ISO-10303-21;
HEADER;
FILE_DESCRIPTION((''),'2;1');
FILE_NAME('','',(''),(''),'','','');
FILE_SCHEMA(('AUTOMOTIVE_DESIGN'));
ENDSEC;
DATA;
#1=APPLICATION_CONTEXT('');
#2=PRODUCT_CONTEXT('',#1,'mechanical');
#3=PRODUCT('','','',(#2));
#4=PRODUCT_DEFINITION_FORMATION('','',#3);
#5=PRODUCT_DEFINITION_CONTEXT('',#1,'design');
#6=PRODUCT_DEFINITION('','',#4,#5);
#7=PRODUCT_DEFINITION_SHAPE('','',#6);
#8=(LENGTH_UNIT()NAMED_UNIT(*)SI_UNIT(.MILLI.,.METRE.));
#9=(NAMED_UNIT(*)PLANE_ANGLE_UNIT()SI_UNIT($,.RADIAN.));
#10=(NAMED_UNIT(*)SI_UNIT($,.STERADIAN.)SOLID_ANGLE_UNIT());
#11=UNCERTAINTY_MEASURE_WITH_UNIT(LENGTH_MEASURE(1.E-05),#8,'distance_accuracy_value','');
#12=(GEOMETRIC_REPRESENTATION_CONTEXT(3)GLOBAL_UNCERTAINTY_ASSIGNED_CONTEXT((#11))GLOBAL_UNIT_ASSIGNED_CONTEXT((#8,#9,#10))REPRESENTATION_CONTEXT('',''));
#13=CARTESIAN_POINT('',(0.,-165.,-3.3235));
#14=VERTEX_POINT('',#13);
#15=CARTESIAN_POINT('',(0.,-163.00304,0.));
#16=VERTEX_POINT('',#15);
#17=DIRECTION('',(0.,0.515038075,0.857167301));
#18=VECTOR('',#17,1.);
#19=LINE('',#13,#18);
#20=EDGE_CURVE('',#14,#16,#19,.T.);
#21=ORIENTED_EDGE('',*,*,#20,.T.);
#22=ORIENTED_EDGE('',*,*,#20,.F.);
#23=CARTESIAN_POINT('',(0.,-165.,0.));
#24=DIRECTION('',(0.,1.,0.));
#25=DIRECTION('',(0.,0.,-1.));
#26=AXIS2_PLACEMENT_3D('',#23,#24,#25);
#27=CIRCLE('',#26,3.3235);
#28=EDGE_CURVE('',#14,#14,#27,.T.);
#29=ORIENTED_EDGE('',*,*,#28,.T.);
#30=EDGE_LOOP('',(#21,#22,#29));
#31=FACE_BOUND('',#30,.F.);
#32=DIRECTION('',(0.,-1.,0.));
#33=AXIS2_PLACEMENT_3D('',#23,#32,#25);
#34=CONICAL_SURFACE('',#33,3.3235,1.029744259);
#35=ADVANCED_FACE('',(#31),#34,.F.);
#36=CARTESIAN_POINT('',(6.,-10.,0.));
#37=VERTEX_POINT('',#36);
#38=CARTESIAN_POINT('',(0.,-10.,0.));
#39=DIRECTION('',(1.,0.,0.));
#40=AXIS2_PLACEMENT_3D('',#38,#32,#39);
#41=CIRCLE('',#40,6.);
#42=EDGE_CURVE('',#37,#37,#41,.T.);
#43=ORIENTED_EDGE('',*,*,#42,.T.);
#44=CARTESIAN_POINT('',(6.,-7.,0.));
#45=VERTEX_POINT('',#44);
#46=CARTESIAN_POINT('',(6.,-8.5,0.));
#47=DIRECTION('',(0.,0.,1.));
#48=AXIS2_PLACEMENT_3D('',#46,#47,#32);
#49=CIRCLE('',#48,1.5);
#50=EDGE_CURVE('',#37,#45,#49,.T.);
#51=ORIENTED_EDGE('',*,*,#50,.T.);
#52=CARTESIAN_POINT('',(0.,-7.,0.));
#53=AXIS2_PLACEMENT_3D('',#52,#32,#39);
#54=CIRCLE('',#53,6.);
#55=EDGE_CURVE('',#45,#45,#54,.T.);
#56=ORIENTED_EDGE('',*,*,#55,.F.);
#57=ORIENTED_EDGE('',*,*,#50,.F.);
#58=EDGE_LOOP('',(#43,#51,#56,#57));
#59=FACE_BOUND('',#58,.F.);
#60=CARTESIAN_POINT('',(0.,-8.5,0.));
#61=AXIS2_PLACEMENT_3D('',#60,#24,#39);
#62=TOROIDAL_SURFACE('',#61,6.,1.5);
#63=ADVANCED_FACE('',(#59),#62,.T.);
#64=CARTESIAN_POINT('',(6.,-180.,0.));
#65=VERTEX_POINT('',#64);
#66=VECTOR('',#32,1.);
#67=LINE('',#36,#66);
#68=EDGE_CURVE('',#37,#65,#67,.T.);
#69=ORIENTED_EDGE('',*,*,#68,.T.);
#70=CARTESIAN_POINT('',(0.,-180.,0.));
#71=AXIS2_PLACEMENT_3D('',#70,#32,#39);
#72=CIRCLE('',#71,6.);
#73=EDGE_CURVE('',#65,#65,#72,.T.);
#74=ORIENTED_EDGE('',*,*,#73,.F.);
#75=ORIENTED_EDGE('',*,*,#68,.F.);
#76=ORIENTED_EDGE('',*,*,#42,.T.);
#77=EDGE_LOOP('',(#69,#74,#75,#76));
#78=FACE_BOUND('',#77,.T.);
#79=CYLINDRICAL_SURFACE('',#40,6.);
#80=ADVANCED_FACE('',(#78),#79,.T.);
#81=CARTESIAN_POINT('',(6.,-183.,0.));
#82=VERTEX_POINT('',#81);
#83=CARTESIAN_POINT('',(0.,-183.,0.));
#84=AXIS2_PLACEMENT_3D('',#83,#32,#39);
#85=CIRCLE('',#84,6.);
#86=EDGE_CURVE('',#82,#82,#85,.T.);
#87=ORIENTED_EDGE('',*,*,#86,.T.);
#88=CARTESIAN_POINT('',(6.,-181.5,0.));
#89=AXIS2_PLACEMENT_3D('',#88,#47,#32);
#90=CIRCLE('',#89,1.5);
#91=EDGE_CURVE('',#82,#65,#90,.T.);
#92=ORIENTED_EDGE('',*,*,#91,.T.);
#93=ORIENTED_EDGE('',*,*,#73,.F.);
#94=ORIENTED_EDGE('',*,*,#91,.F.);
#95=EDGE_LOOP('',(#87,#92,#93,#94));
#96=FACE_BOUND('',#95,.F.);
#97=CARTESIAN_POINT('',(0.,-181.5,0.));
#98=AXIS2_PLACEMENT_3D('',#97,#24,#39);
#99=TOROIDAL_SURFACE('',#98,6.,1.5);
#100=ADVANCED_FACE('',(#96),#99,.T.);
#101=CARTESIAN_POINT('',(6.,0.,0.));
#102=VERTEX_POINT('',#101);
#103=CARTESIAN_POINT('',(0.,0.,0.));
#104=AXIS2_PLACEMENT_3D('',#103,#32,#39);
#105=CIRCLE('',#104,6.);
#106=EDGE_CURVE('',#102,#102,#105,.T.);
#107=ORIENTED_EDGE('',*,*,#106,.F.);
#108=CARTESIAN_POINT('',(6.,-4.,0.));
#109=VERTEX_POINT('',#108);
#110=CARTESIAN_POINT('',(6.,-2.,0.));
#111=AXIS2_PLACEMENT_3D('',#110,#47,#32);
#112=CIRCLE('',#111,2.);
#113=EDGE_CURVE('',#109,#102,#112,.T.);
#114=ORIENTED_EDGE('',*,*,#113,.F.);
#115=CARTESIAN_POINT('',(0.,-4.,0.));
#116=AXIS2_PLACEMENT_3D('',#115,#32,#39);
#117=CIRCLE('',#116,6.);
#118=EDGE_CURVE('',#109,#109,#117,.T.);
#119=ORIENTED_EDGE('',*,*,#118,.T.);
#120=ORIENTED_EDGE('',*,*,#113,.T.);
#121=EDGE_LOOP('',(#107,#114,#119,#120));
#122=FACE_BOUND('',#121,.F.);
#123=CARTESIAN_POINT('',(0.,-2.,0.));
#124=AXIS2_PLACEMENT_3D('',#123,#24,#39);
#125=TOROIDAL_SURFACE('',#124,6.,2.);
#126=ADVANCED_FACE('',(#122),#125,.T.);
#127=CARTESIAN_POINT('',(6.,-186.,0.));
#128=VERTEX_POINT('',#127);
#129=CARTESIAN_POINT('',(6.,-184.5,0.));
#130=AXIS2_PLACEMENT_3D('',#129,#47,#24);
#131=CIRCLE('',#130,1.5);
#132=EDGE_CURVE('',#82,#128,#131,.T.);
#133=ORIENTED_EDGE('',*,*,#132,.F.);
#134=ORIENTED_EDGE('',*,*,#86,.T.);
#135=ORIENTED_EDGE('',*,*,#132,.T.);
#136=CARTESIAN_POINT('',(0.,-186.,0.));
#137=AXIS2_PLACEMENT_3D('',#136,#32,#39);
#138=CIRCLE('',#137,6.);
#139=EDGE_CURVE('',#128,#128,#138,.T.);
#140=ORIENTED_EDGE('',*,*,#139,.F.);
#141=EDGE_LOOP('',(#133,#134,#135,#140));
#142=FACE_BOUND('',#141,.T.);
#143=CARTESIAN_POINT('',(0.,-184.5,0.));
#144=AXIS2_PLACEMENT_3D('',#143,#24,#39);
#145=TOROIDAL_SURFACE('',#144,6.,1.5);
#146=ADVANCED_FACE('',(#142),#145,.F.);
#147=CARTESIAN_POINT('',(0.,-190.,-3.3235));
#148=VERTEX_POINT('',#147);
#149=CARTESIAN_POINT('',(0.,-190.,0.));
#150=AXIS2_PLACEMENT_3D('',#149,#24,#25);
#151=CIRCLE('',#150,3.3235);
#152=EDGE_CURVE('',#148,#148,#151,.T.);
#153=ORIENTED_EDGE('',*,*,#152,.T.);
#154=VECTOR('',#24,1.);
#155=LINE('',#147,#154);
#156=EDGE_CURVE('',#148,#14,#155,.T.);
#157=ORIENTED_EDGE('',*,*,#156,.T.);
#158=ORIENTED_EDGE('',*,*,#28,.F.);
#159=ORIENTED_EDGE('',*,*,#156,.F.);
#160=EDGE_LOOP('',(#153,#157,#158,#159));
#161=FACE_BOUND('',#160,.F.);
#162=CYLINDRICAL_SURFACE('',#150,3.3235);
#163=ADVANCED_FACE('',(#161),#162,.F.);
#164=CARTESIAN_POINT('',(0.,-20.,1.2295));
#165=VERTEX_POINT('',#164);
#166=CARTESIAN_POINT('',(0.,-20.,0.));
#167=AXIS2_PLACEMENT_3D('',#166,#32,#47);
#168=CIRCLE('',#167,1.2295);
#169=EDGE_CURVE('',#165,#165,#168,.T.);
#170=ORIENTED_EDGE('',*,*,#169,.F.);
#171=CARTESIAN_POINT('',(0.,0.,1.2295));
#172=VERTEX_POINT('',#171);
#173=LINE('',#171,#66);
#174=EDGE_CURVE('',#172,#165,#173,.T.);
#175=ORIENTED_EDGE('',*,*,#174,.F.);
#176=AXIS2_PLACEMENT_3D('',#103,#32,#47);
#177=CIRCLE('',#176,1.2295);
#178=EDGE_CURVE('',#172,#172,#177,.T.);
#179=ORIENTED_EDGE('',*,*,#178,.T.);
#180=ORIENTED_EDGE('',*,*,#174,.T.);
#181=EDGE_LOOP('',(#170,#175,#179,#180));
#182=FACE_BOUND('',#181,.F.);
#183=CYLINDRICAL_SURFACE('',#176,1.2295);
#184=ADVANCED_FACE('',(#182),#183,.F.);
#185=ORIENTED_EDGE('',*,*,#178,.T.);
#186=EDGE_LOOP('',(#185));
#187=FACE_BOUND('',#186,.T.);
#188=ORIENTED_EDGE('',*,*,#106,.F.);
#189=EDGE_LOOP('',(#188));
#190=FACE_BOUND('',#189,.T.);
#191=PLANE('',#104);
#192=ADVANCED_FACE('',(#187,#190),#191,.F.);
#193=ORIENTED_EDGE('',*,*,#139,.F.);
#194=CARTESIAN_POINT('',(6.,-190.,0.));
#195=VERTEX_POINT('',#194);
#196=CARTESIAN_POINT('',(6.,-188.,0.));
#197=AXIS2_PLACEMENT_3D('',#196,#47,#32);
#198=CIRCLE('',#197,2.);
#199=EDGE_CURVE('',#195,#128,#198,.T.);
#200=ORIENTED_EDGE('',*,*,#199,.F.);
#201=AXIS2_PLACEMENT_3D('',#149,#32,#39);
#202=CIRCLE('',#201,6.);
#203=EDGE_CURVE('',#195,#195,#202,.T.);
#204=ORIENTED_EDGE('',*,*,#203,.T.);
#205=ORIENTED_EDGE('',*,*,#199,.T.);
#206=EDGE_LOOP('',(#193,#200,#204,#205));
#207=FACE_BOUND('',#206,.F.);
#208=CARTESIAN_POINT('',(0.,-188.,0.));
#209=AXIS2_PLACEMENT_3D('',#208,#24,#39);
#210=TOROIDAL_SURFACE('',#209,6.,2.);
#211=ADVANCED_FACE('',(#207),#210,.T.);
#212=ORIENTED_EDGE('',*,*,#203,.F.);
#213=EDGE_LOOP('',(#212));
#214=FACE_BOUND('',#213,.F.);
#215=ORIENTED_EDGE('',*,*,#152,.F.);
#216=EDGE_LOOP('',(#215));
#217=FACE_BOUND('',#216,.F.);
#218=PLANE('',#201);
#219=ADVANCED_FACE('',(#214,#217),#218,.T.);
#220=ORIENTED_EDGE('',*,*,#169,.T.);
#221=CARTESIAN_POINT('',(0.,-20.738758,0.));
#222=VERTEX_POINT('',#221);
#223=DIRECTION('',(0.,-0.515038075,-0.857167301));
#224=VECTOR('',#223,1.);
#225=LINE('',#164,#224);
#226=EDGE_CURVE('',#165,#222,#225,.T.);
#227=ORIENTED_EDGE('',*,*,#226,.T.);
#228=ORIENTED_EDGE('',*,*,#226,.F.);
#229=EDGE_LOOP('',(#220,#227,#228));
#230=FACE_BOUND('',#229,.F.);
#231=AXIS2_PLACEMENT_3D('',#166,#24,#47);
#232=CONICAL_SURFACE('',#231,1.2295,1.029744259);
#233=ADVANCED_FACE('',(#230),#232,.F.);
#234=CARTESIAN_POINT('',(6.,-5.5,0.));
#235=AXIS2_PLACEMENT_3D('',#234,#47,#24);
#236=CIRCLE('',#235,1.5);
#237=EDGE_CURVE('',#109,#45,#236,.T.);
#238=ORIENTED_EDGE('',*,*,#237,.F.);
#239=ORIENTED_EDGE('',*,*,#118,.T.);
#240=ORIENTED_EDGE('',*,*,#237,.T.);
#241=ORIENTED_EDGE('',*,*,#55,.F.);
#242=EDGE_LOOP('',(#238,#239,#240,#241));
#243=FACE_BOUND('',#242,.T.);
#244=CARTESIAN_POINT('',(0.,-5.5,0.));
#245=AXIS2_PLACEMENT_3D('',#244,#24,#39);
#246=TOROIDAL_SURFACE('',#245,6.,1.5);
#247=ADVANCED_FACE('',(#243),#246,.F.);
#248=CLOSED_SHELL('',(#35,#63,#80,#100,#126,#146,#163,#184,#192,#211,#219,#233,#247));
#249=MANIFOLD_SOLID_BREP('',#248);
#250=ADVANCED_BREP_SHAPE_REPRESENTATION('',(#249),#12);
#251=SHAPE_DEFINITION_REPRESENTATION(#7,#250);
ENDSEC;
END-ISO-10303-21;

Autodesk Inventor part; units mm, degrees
ref_plane "XZ Plane" through (0, 0, 0) normal (0, 1, 0) x (-1, 0, 0)
sketch "Sketch1" plane through (0, 0, 0) normal (0, 0, 1) x (1, 0, 0)
  line L0 (0, 0) -> (0, -190)
  line L1 (0, 0) -> (6, 0)
  line L2 (6, 0) -> (6, -4) construction
  arc A0 (6, -4) -> (6, 0) centre (6, -2) ccw
  arc A1 (6, -4) -> (6, -7) centre (6, -5.5) ccw
  line L3 (6, -5.5) -> (2.7369, -5.5) construction
  arc A2 (6, -10) -> (6, -7) centre (6, -8.5) ccw
  line L4 (0, -190) -> (6, -190)
  line L5 (6, -190) -> (6, -186) construction
  arc A3 (6, -190) -> (6, -186) centre (6, -188) ccw
  arc A4 (6, -183) -> (6, -186) centre (6, -184.5) ccw
  arc A5 (6, -183) -> (6, -180) centre (6, -181.5) ccw
  line L6 (6, -10) -> (6, -180)
  dimension "d1" = 8
  dimension "d2" = 4
  dimension "d3" = 1.5
  dimension "d4" = 3
  dimension "d5" = 3
  dimension "d6" = 1.5
  dimension "d7" = 4
  dimension "d8" = 8
  dimension "d9" = 1.5
  dimension "d10" = 3
  dimension "d11" = 3
  dimension "d12" = 1.5
  dimension "d39" = 6
revolve "Revolution1" add sketch "Sketch1" angle 360 about axis through (0, 0, 0) along (0, -1, 0)
ref_plane "Work Plane1" through (8, 0, 0) normal (1, 0, 0) x (0, 1, 0)
ref_plane "Work Plane2" through (-8, 0, 0) normal (1, 0, 0) x (0, 1, 0)
sketch "Sketch5" plane through (0, -190, 0) normal (0, -1, 0) x (1, 0, 0)
  point P0 (0, 0)
  point P1 (0, 0)
hole "Hole1" at (0, -190, 0) direction (0, 1, 0) diameter 6.647 depth 25 tip angle 118 thread size "M8x1.25" class "6H" standard "ISO Metric profile"
sketch "Sketch6" plane through (0, 0, 0) normal (0, 1, 0) x (1, 0, 0)
  point P0 (0, 0)
  point P1 (0, 0)
hole "Hole2" at (0, 0, 0) direction (0, -1, 0) diameter 2.459 depth 20 tip angle 118 thread size "M3x0.5" class "6H" standard "ISO Metric profile"
properties part number "Lower Arm Support" material "Stainless Steel"
